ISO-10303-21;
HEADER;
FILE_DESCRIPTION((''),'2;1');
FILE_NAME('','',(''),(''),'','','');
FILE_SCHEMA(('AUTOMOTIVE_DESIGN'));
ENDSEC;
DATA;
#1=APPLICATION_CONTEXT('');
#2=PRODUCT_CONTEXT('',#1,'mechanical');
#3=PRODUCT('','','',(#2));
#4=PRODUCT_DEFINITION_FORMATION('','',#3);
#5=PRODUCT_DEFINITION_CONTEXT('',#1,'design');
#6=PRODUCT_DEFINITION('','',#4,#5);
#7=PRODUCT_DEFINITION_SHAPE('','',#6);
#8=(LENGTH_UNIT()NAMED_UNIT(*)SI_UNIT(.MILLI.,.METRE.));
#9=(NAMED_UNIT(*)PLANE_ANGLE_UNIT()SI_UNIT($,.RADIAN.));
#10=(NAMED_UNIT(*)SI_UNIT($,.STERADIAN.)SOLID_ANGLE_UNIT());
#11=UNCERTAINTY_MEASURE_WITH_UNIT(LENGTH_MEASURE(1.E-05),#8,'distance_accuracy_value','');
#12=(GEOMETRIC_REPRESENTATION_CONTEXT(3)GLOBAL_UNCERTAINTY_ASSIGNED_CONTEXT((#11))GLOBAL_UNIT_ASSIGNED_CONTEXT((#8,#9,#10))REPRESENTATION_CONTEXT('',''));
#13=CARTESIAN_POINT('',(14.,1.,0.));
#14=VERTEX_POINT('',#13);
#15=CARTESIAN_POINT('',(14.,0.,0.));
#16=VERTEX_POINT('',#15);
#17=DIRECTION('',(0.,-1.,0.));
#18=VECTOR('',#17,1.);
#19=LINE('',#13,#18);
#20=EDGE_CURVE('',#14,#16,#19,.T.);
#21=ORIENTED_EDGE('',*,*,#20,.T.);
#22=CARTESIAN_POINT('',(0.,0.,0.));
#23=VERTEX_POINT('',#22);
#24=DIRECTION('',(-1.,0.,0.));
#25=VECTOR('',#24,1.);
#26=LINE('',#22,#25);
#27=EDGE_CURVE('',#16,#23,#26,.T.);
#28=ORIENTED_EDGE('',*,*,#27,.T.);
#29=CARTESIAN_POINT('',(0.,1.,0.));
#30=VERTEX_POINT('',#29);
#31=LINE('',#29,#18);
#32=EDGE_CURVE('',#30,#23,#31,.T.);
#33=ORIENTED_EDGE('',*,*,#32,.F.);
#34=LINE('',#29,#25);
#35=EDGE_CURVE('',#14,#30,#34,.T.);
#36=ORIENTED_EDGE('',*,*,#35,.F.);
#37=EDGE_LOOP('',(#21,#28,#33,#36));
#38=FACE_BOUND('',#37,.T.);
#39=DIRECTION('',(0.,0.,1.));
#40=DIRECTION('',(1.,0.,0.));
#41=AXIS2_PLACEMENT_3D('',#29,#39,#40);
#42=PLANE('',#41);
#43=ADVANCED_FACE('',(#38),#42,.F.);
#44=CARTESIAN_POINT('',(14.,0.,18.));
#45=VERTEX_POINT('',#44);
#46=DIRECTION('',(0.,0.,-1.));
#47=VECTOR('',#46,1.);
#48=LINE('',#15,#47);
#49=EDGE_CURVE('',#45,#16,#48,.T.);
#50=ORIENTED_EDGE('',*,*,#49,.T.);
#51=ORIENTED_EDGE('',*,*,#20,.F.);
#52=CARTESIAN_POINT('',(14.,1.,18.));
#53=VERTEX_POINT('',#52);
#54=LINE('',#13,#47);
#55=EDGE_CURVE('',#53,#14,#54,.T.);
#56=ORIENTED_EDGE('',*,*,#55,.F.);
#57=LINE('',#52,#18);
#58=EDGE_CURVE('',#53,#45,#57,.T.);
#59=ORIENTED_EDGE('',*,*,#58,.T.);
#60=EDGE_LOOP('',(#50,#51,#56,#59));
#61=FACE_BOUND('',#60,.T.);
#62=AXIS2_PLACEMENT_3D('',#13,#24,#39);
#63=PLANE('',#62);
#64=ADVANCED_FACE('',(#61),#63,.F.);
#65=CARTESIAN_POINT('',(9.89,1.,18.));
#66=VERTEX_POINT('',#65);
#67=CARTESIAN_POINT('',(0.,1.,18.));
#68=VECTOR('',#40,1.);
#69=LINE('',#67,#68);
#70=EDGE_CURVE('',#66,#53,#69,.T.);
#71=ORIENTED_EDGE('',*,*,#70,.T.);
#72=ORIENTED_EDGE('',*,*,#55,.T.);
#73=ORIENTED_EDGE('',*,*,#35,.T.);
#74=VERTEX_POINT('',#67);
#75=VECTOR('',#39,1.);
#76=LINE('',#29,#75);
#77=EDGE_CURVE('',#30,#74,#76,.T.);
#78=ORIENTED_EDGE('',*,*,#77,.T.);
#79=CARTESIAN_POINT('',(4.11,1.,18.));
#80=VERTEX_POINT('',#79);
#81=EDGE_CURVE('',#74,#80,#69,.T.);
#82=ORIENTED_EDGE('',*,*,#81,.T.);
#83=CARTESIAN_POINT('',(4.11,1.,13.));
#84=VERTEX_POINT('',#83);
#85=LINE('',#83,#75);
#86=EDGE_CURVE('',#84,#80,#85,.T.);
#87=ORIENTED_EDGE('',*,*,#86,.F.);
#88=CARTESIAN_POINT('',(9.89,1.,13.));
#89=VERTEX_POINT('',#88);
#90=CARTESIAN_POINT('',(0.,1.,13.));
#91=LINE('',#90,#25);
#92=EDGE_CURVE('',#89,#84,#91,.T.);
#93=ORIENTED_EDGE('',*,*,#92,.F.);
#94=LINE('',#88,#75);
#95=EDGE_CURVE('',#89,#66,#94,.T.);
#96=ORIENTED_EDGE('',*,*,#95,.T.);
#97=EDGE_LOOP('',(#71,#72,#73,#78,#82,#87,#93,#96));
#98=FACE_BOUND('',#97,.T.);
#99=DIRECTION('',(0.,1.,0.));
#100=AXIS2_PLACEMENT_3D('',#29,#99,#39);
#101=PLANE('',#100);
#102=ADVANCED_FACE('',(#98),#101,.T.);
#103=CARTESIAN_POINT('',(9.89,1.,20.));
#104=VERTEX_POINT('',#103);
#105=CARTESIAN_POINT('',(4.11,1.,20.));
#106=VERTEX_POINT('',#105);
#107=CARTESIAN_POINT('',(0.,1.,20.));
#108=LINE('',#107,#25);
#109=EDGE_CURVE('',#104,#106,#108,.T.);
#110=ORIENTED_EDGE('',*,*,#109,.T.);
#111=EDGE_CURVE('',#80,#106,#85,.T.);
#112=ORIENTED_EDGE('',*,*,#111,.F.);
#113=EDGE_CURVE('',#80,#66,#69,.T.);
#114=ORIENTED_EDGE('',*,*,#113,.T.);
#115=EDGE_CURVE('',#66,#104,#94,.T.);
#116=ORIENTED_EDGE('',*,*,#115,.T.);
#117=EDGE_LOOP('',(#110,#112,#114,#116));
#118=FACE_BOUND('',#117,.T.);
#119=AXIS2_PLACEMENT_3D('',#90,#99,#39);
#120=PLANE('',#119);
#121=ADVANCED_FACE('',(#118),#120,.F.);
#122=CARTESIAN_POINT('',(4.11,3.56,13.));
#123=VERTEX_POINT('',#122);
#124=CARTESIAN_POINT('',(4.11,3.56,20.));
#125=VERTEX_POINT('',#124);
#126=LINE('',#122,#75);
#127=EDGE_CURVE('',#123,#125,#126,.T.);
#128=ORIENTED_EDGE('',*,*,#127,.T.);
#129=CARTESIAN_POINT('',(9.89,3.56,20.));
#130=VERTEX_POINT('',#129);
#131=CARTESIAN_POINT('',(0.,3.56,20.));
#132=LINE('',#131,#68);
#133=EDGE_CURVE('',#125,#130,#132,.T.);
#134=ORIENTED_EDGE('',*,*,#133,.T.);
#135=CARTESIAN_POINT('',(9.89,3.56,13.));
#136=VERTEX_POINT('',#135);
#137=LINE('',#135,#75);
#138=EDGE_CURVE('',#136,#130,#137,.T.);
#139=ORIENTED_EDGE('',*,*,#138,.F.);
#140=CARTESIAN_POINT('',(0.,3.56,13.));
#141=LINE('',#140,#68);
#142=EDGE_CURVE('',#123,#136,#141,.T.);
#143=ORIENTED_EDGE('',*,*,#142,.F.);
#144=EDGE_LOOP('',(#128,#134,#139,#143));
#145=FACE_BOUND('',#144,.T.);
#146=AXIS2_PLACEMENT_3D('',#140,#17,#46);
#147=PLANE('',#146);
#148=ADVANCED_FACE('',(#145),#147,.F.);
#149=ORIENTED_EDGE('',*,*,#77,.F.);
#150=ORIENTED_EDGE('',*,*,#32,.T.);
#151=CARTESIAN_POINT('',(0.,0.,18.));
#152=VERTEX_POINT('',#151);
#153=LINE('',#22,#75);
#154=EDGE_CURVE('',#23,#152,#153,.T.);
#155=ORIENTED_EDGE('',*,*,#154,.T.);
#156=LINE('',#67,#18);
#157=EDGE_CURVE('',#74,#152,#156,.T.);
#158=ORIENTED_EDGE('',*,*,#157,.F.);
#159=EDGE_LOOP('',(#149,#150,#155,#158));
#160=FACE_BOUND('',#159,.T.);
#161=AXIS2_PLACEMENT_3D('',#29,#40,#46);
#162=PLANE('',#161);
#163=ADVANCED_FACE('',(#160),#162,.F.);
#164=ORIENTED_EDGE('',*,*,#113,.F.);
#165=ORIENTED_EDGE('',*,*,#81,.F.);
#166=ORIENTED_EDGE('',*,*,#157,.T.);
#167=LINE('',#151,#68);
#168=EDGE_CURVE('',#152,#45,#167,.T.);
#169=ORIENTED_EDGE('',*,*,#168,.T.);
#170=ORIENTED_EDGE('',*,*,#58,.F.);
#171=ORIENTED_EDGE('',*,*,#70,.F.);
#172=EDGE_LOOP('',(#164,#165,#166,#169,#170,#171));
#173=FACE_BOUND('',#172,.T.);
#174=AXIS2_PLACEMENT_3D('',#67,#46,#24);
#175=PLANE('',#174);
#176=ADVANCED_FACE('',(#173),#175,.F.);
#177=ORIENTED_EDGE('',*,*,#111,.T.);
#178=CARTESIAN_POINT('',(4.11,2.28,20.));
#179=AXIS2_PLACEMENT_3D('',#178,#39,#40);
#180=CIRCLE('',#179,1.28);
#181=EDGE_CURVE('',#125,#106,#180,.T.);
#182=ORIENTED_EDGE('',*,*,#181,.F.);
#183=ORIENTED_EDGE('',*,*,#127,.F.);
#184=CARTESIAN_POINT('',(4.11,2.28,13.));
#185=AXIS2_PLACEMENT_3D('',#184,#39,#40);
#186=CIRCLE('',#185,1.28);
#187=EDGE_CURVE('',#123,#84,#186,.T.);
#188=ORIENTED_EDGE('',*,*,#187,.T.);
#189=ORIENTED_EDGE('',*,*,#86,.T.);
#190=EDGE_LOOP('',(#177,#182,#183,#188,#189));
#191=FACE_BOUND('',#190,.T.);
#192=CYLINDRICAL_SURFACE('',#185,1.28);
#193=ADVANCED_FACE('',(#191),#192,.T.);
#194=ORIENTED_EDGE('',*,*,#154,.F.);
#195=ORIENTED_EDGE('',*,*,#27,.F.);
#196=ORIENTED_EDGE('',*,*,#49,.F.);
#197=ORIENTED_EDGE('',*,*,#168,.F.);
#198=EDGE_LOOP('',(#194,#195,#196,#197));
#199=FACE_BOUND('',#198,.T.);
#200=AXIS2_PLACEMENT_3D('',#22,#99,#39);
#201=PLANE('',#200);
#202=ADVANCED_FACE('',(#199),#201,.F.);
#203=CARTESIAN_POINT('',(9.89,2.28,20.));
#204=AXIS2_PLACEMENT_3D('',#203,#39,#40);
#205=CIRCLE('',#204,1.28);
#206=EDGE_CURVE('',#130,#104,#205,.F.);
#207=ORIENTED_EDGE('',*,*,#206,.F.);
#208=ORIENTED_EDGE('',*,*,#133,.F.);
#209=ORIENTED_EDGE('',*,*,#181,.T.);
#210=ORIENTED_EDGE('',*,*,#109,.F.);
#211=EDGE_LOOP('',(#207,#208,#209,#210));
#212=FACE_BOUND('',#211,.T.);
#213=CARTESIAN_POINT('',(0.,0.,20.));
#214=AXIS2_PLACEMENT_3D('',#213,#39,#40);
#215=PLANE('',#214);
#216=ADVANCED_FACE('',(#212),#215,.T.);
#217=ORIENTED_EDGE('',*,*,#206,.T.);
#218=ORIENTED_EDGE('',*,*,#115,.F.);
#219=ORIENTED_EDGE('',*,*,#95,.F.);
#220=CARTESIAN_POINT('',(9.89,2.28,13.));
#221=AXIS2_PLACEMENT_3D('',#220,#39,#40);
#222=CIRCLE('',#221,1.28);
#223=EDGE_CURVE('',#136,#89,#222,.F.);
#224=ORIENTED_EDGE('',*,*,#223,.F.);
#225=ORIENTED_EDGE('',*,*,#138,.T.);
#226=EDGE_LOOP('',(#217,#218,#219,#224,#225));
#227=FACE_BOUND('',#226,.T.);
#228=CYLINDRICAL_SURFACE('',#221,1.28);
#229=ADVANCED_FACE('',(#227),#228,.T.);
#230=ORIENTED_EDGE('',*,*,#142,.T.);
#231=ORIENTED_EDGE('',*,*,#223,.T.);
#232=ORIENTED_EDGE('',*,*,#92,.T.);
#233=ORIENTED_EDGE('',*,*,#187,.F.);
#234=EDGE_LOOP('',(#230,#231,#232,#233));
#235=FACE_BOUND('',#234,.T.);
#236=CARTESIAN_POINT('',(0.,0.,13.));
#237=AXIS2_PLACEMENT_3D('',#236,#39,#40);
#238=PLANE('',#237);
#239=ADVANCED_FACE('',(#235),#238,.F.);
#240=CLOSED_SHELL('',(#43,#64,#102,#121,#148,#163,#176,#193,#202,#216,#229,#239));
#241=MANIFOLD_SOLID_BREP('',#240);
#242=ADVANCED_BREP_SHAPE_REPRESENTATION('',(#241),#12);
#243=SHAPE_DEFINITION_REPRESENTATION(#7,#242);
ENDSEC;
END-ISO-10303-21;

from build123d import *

# Parameters (mm, degrees)
SKETCH1_W                = 14
SKETCH1_H                = 18
BOSS_EXTRUDE1_DEPTH      = 1
BOSS_EXTRUDE2_DEPTH      = 2
BOSS_EXTRUDE2_DEPTH_BACK = 5
SKETCH2_W                = 5.78
SKETCH2_H                = 2.56


with BuildPart() as part:
    # Sketch1 → Boss-Extrude1 (new body)
    with BuildSketch(Plane(origin=(0, 0, 0), x_dir=(1, 0, 0), z_dir=(0, 1, 0))):
        with Locations((7, -9)):
            Rectangle(SKETCH1_W, SKETCH1_H)
    extrude(amount=BOSS_EXTRUDE1_DEPTH)

    # Sketch2 → Boss-Extrude2 (add, two sides: drawn at the far end of the back side and taken through both)
    with BuildSketch(Plane.XY.offset(18).offset(-BOSS_EXTRUDE2_DEPTH_BACK)):
        with BuildLine():
            Line((4.11, 3.56), (4.11, 1))
            ThreePointArc((4.11, 1), (2.83, 2.28), (4.11, 3.56))
        make_face()
        with Locations((7, 2.28)):
            Rectangle(SKETCH2_W, SKETCH2_H)
        with BuildLine():
            ThreePointArc((9.89, 3.56), (11.17, 2.28), (9.89, 1))
            Line((9.89, 1), (9.89, 3.56))
        make_face()
    extrude(amount=BOSS_EXTRUDE2_DEPTH + BOSS_EXTRUDE2_DEPTH_BACK)


solid = part.part
